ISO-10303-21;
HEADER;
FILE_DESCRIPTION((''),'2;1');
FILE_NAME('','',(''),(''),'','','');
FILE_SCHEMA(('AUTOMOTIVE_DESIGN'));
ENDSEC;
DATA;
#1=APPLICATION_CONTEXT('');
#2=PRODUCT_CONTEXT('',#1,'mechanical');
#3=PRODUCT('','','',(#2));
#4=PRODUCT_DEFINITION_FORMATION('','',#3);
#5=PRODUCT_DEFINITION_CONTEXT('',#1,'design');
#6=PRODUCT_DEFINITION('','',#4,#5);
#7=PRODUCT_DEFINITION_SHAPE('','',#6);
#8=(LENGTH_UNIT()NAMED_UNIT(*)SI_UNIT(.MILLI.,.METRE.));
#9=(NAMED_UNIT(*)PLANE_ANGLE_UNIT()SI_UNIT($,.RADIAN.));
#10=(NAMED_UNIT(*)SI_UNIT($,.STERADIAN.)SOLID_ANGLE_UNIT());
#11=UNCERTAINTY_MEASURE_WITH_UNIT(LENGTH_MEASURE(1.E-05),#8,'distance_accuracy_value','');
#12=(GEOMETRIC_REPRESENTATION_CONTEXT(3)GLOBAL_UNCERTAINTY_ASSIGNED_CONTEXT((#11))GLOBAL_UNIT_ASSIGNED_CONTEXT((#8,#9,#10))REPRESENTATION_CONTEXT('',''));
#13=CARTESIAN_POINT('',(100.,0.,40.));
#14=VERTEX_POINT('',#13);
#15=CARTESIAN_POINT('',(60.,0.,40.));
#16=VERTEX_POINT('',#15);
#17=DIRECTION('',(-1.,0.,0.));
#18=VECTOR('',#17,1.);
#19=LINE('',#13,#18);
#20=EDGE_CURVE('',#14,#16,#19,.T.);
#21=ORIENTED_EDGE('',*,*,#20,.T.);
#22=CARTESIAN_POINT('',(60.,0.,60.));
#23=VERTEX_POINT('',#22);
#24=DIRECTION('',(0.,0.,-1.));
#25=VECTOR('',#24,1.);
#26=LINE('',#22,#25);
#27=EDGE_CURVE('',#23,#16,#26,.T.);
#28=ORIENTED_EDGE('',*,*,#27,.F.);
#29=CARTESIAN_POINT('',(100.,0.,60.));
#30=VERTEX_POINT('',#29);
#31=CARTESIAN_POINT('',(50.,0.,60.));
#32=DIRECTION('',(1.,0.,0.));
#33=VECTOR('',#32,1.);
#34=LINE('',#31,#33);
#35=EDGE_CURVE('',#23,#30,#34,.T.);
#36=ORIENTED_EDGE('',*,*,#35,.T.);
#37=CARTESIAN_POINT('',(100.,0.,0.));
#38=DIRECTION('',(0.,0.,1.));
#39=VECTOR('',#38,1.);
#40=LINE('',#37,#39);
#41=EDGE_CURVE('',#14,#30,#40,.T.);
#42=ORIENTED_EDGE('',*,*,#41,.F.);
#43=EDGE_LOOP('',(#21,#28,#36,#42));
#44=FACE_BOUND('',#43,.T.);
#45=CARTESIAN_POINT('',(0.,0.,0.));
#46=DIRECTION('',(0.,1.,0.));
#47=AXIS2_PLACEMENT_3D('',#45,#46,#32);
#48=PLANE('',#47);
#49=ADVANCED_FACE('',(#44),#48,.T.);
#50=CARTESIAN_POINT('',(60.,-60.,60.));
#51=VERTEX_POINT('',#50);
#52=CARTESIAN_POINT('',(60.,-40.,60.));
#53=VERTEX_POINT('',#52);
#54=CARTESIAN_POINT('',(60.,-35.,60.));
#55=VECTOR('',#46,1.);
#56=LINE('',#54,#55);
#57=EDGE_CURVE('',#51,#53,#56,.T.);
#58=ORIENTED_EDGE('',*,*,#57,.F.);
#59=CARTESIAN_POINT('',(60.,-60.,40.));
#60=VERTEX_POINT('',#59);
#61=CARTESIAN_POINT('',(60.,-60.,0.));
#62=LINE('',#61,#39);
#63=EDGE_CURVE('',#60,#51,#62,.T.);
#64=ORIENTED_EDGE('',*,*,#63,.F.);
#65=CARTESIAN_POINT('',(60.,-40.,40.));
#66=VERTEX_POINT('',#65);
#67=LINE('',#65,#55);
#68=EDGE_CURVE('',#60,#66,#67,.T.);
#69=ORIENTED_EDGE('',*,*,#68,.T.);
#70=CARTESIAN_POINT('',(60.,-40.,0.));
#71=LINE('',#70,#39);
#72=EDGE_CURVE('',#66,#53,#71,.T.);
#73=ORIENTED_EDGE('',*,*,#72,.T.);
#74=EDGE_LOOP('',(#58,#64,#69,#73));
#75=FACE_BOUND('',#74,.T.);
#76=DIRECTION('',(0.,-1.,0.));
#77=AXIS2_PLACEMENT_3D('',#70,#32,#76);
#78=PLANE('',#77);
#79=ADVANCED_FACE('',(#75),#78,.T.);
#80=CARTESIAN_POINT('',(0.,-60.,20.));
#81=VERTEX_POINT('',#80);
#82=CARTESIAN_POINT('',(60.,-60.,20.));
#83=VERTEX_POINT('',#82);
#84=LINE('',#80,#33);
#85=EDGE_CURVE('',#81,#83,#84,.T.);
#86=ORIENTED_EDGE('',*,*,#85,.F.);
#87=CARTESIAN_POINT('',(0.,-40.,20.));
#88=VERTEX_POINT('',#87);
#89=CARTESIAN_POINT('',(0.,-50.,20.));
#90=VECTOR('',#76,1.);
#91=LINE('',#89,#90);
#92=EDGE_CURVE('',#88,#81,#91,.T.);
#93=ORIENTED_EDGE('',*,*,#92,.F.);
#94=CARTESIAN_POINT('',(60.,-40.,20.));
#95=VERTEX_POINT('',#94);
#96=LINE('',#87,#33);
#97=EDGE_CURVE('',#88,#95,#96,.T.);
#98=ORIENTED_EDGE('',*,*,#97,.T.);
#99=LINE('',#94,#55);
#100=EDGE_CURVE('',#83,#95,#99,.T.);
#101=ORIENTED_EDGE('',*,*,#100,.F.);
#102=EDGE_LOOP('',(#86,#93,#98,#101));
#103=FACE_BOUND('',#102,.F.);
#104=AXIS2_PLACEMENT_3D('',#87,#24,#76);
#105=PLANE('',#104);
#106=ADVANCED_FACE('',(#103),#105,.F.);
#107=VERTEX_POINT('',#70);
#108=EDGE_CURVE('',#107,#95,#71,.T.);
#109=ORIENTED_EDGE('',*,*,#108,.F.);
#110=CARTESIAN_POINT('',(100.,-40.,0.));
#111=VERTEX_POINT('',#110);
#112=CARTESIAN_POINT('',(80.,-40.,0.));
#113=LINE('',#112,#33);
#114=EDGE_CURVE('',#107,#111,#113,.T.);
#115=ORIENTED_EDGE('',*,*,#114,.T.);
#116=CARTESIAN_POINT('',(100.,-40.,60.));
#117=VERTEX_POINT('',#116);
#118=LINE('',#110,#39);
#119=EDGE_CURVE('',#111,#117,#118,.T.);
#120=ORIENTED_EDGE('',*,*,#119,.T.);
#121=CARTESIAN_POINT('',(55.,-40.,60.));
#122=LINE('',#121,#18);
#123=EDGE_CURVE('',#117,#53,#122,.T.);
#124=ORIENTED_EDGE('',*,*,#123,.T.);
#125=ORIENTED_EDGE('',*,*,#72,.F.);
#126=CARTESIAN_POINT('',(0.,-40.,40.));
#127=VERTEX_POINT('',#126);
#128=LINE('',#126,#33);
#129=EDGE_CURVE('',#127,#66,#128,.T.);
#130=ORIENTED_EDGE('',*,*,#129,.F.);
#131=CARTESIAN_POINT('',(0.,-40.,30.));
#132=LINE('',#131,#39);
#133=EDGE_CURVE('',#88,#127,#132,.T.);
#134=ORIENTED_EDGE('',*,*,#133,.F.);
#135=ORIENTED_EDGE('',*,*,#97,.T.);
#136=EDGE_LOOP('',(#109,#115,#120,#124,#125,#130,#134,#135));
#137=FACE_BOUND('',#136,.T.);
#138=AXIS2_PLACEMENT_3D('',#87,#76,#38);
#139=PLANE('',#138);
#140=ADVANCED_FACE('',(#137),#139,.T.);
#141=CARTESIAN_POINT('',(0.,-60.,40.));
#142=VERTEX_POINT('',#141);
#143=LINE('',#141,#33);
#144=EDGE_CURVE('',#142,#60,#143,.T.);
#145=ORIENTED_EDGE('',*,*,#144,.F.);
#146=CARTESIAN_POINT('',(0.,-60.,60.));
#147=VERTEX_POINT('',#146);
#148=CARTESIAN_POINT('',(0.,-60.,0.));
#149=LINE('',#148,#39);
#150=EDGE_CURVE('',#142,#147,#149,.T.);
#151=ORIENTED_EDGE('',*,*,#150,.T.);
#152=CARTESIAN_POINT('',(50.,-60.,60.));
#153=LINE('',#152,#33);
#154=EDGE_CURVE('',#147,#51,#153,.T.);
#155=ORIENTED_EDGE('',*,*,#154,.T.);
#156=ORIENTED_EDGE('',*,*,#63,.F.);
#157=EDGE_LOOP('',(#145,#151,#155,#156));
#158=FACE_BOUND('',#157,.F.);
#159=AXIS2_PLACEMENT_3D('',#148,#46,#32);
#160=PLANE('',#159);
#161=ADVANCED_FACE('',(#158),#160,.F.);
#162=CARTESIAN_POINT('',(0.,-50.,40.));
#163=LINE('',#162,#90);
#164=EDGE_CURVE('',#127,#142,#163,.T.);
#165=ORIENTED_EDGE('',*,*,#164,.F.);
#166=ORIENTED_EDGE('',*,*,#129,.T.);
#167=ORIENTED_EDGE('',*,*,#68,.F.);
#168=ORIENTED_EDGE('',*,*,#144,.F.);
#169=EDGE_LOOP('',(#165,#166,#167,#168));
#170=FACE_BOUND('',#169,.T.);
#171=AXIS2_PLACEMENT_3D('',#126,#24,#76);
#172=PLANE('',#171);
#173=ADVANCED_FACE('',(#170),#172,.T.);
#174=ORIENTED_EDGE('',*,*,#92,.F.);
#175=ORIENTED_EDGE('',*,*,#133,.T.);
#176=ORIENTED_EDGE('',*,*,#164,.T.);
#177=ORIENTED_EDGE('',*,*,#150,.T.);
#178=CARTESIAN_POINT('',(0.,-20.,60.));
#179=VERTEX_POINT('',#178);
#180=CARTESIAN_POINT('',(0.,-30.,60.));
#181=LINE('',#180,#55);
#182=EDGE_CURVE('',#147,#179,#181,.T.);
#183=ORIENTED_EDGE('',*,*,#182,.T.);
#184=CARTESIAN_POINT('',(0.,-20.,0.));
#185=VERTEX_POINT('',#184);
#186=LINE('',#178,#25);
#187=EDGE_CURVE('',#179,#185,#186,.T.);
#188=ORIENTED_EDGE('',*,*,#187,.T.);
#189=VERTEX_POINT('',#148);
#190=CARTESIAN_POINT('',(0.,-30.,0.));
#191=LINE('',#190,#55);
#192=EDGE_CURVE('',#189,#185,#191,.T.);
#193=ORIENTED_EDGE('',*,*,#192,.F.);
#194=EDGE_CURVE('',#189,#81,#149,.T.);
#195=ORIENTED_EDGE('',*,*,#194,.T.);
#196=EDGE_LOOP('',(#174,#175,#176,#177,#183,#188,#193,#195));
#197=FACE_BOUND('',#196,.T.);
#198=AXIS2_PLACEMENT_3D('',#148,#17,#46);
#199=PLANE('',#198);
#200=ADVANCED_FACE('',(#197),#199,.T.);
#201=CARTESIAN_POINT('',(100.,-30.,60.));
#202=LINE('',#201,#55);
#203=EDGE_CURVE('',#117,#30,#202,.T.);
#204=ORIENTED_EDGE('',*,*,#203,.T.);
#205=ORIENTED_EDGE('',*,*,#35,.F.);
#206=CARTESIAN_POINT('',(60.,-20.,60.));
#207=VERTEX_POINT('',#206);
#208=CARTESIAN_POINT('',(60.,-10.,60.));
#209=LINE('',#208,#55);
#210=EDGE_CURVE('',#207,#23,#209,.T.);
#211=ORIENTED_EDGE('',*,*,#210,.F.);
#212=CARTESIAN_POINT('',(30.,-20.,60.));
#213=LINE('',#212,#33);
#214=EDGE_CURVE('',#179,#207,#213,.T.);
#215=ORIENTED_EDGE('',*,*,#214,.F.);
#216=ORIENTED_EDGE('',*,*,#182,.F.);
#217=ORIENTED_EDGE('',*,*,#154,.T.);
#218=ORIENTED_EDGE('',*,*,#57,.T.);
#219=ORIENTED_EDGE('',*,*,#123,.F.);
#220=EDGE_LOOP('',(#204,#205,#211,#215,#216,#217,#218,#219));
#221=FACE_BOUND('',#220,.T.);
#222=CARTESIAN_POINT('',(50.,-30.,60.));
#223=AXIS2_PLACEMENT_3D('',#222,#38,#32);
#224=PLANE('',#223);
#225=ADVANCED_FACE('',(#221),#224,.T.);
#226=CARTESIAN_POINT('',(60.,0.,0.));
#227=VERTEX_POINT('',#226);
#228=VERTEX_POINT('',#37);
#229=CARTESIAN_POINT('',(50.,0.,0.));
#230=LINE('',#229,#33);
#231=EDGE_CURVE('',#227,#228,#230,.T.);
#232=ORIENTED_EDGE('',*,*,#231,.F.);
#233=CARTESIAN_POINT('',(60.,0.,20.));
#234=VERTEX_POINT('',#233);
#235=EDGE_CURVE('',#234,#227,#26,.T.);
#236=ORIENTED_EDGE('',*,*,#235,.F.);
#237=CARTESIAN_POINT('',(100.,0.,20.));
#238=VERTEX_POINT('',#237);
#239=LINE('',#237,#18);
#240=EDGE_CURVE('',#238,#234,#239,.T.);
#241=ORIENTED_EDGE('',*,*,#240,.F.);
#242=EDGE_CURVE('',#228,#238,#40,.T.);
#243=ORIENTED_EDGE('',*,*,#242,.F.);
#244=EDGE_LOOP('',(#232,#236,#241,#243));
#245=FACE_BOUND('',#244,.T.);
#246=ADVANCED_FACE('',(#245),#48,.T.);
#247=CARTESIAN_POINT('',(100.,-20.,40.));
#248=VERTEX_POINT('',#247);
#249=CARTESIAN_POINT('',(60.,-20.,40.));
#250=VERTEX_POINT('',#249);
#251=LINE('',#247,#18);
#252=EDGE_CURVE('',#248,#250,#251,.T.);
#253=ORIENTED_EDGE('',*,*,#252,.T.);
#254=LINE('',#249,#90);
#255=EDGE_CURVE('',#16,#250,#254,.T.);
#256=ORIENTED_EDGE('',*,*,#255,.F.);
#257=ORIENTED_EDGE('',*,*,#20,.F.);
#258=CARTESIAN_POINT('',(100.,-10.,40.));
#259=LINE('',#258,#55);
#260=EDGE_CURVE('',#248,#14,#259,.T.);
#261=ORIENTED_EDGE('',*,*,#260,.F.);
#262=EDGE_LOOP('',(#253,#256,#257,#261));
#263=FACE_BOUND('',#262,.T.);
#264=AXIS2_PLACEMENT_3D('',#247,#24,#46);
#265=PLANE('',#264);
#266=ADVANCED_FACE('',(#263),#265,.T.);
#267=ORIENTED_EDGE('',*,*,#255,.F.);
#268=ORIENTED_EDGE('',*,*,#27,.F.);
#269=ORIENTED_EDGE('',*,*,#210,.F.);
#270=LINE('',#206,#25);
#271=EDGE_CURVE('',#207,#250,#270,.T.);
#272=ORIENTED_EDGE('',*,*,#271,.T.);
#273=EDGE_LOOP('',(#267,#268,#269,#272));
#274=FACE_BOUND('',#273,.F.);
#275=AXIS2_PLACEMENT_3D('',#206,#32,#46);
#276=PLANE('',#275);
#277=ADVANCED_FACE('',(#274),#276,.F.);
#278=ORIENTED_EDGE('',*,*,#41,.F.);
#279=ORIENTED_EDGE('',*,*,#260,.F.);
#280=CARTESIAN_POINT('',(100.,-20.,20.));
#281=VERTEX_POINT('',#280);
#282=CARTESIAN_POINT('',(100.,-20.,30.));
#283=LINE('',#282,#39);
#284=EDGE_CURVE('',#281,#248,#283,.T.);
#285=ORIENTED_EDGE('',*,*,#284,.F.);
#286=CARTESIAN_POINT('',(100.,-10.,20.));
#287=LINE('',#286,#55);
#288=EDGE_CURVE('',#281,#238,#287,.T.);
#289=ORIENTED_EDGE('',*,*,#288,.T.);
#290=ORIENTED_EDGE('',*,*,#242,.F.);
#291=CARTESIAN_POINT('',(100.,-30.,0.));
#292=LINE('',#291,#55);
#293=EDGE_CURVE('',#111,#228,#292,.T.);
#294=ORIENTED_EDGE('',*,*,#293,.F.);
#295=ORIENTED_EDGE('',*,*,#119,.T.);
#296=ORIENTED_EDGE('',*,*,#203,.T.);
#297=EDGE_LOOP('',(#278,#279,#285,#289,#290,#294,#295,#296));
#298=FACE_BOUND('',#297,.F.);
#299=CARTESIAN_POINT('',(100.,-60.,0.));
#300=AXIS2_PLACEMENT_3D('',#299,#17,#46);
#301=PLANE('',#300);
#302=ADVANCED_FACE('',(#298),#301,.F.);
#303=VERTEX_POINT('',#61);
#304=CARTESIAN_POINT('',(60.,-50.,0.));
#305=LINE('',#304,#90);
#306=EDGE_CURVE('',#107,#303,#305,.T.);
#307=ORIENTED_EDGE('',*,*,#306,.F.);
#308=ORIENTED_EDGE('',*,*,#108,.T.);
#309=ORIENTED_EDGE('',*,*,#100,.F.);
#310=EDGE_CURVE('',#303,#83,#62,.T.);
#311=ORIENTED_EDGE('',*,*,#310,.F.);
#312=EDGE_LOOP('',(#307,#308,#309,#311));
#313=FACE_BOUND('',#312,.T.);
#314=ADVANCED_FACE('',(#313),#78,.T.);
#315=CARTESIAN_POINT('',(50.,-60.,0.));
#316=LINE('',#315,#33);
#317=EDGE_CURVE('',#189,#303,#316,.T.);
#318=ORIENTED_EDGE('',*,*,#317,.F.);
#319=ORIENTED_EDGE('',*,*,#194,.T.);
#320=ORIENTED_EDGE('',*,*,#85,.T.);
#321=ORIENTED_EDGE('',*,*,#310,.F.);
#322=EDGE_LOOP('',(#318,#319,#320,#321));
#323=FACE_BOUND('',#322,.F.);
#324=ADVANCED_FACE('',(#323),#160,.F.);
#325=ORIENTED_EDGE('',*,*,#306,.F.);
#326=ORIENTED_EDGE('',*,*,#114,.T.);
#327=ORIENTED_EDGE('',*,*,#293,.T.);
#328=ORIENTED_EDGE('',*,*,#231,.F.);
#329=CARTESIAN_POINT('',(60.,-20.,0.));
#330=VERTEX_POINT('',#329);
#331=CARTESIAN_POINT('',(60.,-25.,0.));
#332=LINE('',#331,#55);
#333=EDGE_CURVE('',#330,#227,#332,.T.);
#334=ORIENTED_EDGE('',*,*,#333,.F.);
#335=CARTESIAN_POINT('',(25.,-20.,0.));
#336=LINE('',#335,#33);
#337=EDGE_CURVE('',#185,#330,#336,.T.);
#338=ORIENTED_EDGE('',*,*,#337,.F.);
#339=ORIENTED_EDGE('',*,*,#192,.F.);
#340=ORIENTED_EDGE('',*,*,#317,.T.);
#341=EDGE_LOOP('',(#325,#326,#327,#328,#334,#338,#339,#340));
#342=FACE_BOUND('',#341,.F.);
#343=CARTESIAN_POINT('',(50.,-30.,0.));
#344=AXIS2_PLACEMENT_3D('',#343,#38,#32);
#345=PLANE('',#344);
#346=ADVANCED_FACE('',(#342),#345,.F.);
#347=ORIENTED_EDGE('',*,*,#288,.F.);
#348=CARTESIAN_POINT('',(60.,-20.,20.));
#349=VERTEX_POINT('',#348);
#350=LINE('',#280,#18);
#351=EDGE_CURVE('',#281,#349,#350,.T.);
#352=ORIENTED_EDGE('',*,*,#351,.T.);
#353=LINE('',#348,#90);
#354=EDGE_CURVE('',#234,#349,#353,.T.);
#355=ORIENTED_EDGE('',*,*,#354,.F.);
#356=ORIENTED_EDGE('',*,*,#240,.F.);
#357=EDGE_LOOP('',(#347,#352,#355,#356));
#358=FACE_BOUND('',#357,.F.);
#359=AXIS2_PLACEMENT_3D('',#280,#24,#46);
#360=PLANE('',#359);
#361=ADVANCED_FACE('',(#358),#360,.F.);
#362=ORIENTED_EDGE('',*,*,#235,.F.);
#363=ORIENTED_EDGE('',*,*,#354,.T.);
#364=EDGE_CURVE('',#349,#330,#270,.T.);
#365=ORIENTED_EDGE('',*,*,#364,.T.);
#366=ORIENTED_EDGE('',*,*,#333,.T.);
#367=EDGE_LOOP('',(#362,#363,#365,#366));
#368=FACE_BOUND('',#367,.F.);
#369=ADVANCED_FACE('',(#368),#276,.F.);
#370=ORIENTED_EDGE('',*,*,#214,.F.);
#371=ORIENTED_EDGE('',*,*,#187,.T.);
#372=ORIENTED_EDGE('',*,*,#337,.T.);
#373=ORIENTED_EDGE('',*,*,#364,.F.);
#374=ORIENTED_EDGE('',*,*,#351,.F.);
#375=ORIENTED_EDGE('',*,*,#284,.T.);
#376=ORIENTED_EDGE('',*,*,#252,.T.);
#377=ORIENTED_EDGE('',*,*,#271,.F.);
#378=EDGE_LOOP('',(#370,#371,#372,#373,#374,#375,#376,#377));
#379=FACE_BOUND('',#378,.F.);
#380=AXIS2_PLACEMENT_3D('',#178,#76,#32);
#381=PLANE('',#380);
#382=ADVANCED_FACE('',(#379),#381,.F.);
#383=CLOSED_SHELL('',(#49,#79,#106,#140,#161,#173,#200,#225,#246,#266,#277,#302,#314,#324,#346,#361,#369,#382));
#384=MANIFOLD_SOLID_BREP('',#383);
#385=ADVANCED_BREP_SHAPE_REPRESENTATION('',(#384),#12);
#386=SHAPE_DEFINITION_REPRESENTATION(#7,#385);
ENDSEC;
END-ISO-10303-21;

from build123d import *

# Parameters (mm, degrees)
F0_W     = 100
F0_H     = 60
F1_DEPTH = 60
F2_W     = 40
F2_H     = 20
F3_DEPTH = 60.001
F4_W     = 20
F4_H     = 20
F5_DEPTH = 100.001
F6_W     = 60
F6_H     = 20
F7_DEPTH = 60.001
F8_W     = 20
F8_H     = 20
F9_DEPTH = 100.001


with BuildPart() as f1:
    # F0 (on Top) → F1 (new body)
    with BuildSketch(Plane.XY):
        with Locations((50, -30)):
            Rectangle(F0_W, F0_H)
    extrude(amount=F1_DEPTH)

    # F2 (on face) → F3 (cut, through all)
    with BuildSketch(Plane(origin=(0, 0, 0), x_dir=(1, 0, 0), z_dir=(0, 0, -1))):
        with Locations((80, 50)):
            Rectangle(F2_W, F2_H)
    extrude(amount=-F3_DEPTH, mode=Mode.SUBTRACT)

    # F4 (on face) → F5 (cut, through all)
    with BuildSketch(Plane.YZ.offset(100)):
        with Locations((-10, 30)):
            Rectangle(F4_W, F4_H)
    extrude(amount=-F5_DEPTH, mode=Mode.SUBTRACT)

    # F6 (on face) → F7 (cut, through all)
    with BuildSketch(Plane.XY.offset(60)):
        with Locations((30, -10)):
            Rectangle(F6_W, F6_H)
    extrude(amount=-F7_DEPTH, mode=Mode.SUBTRACT)

    # F8 (on face) → F9 (cut, through all)
    with BuildSketch(Plane(origin=(0, 0, 0), x_dir=(0, -1, 0), z_dir=(-1, 0, 0))):
        with Locations((50, 30)):
            Rectangle(F8_W, F8_H)
    extrude(amount=-F9_DEPTH, mode=Mode.SUBTRACT)


solid = f1.part
